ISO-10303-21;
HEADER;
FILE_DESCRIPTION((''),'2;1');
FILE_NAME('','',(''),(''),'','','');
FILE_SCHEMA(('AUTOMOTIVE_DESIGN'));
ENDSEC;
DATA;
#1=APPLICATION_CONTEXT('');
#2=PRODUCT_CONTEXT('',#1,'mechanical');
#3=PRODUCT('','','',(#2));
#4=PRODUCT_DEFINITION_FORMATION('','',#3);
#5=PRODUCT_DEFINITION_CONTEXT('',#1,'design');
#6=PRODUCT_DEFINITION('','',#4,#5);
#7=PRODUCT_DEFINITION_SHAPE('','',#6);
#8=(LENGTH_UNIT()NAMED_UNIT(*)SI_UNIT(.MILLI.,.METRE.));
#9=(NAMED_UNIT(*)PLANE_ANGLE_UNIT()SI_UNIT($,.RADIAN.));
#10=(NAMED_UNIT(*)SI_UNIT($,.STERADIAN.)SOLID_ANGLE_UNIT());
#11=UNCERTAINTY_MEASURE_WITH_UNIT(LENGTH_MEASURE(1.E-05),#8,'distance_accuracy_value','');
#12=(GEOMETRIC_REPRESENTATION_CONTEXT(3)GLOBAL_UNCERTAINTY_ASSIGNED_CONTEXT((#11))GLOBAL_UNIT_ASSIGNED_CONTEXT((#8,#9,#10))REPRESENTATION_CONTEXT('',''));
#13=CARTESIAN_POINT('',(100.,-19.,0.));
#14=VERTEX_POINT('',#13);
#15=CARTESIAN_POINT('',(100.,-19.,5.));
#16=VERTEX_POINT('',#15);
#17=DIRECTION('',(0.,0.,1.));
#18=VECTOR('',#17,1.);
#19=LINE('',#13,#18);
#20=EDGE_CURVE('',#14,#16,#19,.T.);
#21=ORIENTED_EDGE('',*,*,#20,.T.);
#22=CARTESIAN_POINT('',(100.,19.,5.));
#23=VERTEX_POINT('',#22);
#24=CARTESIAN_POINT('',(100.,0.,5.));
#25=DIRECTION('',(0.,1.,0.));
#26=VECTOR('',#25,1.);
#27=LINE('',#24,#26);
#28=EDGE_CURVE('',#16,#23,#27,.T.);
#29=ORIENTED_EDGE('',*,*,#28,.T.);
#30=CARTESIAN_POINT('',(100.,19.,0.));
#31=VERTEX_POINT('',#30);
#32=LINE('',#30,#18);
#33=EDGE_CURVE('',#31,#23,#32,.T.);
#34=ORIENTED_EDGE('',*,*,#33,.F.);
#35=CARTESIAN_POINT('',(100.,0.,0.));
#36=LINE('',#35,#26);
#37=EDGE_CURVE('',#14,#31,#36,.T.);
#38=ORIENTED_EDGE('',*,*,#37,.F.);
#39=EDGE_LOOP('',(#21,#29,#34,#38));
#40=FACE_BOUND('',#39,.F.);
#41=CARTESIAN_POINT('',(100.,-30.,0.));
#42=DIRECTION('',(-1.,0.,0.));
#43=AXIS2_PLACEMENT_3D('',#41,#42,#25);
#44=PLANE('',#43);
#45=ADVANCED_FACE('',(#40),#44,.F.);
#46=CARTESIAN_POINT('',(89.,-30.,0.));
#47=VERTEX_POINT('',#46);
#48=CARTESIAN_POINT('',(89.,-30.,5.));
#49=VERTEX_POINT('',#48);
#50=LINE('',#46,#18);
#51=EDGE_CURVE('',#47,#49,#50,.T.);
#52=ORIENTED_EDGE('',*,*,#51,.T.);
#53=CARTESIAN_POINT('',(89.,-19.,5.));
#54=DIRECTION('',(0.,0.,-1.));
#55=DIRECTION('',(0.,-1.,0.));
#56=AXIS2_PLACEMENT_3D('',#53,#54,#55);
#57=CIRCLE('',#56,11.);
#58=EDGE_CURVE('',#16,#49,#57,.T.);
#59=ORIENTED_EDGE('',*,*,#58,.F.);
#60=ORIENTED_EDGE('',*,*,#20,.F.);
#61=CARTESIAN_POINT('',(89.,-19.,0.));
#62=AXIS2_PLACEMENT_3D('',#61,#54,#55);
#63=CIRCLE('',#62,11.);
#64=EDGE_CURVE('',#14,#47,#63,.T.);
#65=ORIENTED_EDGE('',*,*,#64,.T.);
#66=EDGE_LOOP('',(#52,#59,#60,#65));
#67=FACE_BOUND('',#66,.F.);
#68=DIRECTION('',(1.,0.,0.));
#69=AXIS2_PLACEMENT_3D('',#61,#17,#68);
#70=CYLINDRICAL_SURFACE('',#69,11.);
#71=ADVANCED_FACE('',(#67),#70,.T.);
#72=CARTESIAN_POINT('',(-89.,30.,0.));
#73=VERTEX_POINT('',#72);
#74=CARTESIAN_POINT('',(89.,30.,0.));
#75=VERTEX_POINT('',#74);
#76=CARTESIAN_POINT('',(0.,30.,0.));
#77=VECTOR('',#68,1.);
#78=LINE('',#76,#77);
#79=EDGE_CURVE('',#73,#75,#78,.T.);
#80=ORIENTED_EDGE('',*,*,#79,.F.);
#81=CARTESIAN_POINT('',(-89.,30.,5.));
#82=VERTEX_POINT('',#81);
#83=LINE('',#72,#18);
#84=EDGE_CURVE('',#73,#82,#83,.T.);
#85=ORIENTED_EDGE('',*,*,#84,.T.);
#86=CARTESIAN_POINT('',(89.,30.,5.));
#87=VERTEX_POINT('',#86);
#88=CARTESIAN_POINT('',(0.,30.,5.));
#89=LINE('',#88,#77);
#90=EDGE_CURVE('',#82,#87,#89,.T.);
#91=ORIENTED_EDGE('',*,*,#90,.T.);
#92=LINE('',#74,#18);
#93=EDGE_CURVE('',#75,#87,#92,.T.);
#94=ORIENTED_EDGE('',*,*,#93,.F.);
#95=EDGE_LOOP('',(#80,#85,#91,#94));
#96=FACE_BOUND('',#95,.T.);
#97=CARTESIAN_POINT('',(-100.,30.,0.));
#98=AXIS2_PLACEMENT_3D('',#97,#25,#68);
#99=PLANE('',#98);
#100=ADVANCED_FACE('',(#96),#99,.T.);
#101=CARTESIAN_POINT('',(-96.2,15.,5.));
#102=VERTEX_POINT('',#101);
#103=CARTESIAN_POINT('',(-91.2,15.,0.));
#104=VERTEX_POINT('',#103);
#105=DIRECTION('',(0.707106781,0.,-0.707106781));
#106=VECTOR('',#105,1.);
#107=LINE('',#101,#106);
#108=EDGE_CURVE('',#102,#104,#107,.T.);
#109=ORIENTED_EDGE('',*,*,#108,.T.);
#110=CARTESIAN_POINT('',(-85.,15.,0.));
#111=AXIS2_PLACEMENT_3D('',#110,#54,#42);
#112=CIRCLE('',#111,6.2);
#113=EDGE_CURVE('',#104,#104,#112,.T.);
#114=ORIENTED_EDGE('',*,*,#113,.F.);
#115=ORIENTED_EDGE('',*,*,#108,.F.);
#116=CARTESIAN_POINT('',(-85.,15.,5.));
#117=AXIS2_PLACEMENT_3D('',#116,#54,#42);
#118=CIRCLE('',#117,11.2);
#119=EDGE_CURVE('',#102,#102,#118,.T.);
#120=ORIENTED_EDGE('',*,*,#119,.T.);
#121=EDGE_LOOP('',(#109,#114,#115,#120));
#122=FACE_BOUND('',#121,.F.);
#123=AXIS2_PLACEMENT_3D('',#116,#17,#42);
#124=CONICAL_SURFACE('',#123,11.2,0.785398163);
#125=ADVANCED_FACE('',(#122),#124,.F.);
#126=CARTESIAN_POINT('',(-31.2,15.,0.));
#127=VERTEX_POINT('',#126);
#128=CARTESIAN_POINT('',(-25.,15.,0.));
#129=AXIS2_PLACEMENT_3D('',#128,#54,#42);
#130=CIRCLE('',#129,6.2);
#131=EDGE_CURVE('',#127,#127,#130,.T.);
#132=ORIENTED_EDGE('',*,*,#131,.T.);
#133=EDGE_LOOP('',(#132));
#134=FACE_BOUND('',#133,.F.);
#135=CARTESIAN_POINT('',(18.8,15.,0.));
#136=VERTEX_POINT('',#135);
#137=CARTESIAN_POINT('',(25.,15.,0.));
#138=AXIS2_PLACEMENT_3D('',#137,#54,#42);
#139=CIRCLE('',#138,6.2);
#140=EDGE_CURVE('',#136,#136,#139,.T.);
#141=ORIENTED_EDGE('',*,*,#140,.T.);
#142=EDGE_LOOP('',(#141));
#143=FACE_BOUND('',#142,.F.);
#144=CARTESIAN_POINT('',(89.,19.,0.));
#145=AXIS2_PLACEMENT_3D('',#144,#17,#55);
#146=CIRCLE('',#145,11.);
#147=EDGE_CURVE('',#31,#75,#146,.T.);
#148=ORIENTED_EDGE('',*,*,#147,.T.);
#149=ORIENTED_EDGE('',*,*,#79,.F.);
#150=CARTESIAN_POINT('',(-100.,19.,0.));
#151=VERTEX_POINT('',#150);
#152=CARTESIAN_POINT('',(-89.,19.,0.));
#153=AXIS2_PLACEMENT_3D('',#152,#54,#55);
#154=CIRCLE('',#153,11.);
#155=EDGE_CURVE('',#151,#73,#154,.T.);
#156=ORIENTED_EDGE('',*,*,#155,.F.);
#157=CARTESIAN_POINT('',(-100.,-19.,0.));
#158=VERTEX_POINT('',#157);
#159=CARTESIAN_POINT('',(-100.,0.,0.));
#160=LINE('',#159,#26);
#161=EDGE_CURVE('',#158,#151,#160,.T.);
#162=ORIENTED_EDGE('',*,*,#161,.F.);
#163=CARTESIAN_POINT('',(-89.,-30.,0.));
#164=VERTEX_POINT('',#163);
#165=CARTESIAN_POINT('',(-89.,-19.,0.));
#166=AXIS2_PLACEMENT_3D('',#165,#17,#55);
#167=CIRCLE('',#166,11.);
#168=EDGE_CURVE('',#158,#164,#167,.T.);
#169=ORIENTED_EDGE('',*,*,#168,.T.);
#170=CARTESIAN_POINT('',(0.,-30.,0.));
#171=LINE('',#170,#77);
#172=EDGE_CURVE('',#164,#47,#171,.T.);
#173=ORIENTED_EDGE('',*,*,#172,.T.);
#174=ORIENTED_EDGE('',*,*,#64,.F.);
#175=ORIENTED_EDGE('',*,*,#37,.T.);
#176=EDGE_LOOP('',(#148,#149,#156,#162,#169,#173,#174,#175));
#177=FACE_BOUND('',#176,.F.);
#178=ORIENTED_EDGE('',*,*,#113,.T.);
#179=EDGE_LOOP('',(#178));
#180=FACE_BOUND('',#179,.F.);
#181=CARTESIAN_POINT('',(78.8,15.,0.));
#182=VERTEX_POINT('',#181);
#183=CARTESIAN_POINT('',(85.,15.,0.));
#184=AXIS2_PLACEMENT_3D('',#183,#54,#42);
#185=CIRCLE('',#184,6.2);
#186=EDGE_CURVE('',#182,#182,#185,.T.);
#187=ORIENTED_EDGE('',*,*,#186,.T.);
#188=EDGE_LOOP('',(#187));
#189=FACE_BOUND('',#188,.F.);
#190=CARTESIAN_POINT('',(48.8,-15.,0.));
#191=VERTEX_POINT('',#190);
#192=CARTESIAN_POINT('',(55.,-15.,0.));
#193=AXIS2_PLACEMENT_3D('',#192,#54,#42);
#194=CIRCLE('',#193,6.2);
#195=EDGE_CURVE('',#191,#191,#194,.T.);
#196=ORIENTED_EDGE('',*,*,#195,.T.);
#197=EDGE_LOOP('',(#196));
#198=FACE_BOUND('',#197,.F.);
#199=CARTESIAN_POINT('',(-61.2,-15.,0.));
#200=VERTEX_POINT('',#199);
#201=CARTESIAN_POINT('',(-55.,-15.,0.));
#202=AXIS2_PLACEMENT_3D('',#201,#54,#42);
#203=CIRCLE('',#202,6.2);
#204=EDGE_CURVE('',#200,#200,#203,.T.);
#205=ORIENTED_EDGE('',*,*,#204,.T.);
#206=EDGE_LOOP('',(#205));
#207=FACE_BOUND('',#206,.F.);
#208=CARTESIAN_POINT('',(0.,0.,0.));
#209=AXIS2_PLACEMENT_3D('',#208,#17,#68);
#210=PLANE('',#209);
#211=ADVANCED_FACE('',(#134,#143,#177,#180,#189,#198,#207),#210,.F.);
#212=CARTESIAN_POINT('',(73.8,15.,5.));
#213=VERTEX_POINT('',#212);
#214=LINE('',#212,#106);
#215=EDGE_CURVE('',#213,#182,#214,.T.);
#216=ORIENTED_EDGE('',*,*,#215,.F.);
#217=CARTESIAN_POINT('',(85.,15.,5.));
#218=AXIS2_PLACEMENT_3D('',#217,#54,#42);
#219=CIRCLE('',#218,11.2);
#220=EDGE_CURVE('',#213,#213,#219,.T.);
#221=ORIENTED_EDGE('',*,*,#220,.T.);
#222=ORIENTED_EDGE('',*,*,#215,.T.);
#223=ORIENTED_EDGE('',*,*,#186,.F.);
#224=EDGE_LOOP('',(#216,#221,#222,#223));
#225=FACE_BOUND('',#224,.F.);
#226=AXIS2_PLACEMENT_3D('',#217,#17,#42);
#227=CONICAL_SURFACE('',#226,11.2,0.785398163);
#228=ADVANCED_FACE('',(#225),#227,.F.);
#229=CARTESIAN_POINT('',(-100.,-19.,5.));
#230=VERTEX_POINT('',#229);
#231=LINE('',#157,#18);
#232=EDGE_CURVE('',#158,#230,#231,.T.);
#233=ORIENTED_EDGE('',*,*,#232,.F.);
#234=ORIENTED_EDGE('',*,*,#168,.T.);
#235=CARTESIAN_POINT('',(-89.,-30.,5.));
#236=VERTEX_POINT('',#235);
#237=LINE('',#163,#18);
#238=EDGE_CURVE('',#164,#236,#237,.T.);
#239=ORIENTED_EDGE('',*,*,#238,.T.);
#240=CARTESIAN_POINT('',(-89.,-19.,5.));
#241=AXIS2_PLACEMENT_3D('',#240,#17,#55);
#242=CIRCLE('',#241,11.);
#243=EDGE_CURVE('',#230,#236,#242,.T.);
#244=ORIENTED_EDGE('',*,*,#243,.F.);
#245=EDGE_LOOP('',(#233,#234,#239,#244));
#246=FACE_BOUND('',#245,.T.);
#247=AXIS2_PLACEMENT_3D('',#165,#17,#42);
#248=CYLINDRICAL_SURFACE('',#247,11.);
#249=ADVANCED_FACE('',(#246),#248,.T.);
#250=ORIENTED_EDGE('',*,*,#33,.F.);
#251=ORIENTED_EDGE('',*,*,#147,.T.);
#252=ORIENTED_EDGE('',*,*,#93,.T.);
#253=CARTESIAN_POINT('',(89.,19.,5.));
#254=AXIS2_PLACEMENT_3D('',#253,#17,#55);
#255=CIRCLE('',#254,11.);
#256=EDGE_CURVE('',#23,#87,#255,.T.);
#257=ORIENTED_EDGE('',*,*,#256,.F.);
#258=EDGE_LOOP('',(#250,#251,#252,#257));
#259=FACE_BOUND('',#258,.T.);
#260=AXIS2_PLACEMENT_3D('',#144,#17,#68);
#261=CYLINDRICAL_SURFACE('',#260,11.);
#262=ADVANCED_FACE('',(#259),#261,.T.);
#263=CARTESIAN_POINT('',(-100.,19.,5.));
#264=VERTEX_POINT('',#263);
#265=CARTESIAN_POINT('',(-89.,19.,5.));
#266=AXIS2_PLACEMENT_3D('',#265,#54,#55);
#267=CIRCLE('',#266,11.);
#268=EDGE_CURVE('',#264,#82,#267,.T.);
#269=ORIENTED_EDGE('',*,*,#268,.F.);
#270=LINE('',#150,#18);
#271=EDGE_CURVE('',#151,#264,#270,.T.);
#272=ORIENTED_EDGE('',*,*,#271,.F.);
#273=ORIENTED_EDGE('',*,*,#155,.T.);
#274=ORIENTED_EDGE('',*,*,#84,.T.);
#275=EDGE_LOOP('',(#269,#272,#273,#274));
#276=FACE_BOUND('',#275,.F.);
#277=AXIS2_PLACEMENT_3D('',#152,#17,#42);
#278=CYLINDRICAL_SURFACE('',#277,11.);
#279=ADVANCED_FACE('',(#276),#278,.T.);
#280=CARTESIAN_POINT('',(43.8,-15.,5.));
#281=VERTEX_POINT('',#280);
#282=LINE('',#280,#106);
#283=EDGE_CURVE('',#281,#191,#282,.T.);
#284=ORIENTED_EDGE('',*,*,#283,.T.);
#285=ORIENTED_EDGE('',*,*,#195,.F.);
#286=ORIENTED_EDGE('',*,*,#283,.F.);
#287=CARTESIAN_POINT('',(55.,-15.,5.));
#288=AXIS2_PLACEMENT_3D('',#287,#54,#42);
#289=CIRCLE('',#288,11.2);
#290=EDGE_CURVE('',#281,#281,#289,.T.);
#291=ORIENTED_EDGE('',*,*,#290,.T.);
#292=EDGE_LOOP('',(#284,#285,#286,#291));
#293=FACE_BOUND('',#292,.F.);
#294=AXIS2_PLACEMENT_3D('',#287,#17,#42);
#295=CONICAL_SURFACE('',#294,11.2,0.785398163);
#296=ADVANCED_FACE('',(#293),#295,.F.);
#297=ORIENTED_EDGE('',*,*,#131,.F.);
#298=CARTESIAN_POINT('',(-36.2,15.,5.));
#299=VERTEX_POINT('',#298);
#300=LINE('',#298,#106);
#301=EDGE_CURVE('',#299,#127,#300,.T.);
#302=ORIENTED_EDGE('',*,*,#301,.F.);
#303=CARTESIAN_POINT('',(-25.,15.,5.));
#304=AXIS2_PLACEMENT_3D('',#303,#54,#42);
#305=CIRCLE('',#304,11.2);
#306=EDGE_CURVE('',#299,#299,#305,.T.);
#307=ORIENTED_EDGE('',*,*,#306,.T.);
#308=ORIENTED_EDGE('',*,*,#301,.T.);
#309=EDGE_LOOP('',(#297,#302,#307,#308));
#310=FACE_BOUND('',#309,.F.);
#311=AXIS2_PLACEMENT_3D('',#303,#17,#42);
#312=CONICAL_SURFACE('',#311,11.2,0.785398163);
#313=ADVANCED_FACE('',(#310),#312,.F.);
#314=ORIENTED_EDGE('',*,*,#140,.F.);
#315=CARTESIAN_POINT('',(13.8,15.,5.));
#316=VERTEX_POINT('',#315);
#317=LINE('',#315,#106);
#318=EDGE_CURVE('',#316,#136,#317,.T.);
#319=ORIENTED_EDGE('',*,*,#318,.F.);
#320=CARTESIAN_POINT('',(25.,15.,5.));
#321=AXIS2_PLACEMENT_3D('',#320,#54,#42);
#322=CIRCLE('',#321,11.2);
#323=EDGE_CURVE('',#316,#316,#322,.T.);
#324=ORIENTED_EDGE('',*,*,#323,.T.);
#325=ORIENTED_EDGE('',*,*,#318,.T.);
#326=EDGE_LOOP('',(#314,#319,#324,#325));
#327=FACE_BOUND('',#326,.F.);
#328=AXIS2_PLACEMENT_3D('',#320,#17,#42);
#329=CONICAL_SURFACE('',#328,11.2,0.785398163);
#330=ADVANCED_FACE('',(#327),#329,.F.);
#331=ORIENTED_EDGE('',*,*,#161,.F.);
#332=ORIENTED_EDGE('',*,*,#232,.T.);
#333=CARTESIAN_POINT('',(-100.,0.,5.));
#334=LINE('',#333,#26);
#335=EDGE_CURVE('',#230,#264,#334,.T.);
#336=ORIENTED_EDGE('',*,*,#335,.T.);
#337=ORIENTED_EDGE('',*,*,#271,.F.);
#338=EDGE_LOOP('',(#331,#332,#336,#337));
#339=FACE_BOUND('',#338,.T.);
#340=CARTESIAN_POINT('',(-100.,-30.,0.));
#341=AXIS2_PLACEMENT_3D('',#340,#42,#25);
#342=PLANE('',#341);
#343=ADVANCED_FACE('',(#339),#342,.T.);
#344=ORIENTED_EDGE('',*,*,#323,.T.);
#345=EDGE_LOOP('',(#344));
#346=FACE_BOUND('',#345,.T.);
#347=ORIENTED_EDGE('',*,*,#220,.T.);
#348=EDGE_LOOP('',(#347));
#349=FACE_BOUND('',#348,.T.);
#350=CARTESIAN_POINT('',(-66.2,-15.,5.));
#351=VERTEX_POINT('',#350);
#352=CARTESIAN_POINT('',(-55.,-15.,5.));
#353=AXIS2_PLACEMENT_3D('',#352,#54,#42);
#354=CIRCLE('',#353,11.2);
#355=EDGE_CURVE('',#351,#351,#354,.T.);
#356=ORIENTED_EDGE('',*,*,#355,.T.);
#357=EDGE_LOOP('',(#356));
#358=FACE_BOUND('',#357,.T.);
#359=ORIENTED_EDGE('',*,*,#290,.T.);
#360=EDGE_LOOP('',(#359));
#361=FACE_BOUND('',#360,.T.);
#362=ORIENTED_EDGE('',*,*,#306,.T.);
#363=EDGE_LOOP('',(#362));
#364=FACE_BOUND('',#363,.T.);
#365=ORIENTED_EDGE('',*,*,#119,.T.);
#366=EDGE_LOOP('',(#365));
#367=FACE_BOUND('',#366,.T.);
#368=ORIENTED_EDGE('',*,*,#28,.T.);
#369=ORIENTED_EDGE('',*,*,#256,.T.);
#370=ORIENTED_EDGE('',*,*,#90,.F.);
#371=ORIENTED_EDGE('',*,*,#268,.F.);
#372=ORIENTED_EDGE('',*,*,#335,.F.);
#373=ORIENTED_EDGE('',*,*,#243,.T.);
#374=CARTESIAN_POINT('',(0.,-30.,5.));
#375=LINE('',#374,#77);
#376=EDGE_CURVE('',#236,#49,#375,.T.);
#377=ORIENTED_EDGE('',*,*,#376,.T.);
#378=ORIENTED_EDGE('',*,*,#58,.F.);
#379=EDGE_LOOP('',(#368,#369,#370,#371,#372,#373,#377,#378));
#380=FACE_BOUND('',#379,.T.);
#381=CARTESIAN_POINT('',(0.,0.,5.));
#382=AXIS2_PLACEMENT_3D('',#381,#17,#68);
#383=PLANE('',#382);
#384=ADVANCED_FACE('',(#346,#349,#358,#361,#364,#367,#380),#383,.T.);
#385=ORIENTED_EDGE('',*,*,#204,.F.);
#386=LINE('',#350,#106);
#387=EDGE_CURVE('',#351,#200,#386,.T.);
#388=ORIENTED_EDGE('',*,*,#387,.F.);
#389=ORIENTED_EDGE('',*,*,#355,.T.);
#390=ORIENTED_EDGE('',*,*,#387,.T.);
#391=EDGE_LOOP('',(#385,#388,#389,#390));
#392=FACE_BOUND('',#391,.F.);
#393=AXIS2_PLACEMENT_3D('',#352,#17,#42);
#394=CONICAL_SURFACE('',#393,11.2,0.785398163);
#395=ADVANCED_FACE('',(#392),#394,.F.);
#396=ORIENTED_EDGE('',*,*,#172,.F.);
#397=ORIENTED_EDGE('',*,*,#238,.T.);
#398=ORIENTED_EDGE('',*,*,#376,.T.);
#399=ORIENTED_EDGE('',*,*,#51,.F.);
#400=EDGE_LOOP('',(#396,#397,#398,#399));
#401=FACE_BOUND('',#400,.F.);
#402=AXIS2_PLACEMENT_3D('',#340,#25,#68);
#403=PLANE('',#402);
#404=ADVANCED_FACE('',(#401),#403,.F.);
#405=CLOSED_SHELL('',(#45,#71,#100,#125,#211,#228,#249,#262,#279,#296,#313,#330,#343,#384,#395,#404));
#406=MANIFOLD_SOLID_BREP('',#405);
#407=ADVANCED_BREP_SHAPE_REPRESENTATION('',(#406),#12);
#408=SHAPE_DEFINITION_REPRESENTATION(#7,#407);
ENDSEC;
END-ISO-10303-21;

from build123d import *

# Parameters (mm, degrees)
F0_W           = 200
F0_H           = 60
F1_DEPTH       = 5
F3_D           = 11
F3_CSINK_D     = 22.4
F3_CSINK_ANGLE = 90
F4_R           = 11


with BuildPart() as f1:
    # F0 (on Top) → F1 (new body)
    with BuildSketch(Plane.XY):
        Rectangle(F0_W, F0_H)
    extrude(amount=F1_DEPTH)

    # F3 (through all)
    with Locations(Plane.XY.offset(5)):
        with Locations((-85, 15), (-25, 15), (25, 15), (-55, -15), (55, -15), (85, 15)):
            CounterSinkHole(F3_D / 2, F3_CSINK_D / 2, counter_sink_angle=F3_CSINK_ANGLE)

    # F4
    f4_edges = [f1.edges().sort_by_distance(p)[0] for p in [
        (-100, 30, 2.5),
        (-100, -30, 2.5),
        (100, -30, 2.5),
        (100, 30, 2.5),
    ]]
    fillet(f4_edges, radius=F4_R)


solid = f1.part
